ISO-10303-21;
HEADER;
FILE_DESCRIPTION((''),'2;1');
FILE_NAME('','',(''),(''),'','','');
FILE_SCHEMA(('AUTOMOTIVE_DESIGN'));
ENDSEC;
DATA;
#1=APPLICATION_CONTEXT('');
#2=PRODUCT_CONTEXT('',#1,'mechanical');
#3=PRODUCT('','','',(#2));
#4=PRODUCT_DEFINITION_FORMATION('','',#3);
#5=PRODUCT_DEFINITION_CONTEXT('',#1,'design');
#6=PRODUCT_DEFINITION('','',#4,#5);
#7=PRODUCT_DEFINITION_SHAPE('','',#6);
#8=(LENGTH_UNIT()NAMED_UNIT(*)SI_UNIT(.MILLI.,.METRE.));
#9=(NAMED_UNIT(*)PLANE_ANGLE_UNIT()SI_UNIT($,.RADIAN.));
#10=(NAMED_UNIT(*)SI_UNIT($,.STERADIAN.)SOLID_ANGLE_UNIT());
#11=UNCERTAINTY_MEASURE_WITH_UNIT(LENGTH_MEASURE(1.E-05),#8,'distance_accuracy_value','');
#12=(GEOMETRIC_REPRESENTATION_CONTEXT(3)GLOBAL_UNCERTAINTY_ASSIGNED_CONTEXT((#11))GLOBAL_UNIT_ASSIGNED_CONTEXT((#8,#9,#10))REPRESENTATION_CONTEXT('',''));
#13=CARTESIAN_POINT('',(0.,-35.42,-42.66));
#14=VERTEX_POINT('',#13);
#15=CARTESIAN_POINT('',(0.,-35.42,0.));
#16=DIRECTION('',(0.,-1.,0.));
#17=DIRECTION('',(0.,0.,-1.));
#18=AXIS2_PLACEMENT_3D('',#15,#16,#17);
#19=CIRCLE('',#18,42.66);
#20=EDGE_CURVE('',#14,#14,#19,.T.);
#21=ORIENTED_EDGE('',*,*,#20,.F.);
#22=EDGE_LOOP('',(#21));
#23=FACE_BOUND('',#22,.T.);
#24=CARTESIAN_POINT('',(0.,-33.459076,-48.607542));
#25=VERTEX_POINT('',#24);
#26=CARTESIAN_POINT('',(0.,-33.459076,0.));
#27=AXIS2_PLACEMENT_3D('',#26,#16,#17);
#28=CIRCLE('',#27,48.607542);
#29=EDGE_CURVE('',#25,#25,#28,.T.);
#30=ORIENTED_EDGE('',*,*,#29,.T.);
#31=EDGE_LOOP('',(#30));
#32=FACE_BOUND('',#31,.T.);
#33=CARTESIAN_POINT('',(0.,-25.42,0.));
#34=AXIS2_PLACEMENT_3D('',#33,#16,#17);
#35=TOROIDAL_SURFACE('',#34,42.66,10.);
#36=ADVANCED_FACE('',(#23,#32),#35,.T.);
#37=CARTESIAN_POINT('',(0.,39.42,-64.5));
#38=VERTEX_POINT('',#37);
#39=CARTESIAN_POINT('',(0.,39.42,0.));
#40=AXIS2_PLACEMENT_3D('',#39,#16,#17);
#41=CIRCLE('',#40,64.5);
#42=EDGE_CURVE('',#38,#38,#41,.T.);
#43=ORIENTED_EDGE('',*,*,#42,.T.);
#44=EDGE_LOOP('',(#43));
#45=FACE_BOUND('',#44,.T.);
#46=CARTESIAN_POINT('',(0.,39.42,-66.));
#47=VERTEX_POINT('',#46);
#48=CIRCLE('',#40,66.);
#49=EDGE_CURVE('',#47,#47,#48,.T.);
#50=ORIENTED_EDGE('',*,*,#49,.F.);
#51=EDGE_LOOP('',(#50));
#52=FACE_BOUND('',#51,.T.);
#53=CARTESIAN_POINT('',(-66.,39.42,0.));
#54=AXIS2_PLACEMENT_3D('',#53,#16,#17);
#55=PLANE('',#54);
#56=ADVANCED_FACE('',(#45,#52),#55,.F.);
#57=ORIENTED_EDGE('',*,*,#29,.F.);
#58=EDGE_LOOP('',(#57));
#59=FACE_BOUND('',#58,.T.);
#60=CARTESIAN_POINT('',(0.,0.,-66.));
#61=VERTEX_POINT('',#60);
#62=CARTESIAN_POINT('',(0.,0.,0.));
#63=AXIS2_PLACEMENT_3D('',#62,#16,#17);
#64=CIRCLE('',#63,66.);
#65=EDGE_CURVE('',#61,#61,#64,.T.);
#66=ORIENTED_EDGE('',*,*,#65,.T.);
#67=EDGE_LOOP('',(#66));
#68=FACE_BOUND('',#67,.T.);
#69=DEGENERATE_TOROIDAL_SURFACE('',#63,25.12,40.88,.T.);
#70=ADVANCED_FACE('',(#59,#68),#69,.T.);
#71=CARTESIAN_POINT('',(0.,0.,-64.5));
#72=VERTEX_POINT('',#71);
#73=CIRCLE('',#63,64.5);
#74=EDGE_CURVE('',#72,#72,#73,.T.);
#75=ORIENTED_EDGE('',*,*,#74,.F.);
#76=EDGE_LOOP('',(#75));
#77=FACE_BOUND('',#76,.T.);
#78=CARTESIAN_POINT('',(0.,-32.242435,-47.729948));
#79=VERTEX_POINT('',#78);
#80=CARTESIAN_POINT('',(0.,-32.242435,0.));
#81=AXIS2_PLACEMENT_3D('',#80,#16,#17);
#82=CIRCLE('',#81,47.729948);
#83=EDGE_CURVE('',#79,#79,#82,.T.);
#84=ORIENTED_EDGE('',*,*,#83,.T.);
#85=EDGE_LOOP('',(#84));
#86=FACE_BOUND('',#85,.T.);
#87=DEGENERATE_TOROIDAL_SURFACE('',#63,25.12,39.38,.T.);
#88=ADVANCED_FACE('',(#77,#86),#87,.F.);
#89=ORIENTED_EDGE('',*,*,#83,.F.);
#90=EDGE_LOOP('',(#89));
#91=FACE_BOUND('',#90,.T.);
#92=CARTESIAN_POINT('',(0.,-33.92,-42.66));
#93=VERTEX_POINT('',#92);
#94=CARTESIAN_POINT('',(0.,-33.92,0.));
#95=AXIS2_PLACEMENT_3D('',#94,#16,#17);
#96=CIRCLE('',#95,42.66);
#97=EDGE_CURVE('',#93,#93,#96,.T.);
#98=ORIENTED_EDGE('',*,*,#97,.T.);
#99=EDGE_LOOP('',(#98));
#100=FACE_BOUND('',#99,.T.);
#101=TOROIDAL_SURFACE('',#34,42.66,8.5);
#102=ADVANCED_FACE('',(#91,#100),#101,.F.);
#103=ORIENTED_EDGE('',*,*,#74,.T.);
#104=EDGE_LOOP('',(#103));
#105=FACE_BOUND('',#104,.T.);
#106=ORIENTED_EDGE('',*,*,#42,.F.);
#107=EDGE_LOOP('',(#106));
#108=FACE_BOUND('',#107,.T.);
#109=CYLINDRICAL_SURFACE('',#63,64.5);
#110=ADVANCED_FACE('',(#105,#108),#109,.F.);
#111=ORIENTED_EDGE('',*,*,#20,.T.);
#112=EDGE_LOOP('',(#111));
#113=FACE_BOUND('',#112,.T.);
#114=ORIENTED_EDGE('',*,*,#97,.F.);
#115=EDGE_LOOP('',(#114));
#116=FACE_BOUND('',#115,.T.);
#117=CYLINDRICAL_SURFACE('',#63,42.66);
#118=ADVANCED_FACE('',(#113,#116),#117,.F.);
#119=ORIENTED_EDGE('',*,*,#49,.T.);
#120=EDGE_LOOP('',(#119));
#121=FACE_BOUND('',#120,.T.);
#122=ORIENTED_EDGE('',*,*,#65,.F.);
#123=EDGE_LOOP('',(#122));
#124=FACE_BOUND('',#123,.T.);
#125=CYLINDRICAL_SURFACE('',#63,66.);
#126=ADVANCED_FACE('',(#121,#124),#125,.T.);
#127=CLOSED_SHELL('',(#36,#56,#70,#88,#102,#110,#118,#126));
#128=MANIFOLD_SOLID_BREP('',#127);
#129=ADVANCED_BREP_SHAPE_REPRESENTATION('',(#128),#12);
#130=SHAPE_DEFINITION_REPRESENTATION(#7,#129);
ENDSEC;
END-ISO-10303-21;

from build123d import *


with BuildPart() as part:
    # Çizim1 → Döndür1 (revolve)
    with BuildSketch(Plane.XY, mode=Mode.PRIVATE) as d_nd_r1_sk:
        with BuildLine():
            Line((-64.5, 0), (-64.5, 39.42))
            Line((-64.5, 39.42), (-66, 39.42))
            Line((-66, 39.42), (-66, 0))
            ThreePointArc((-66, 0), (-61.392201024, -18.85475624), (-48.607542423, -33.459075763))
            ThreePointArc((-48.607542423, -33.459075763), (-45.791233173, -34.917124766), (-42.66, -35.42))
            Line((-42.66, -35.42), (-42.66, -33.92))
            ThreePointArc((-42.66, -33.92), (-45.330140403, -33.489718101), (-47.729948316, -32.242435347))
            ThreePointArc((-47.729948316, -32.242435347), (-60.056829884, -18.171469881), (-64.5, 0))
        make_face()
    revolve(d_nd_r1_sk.sketch.rotate(Axis((0, 0, 0), (0, 1, 0)), 270), axis=Axis((0, 0, 0), (0, 1, 0)))


solid = part.part
